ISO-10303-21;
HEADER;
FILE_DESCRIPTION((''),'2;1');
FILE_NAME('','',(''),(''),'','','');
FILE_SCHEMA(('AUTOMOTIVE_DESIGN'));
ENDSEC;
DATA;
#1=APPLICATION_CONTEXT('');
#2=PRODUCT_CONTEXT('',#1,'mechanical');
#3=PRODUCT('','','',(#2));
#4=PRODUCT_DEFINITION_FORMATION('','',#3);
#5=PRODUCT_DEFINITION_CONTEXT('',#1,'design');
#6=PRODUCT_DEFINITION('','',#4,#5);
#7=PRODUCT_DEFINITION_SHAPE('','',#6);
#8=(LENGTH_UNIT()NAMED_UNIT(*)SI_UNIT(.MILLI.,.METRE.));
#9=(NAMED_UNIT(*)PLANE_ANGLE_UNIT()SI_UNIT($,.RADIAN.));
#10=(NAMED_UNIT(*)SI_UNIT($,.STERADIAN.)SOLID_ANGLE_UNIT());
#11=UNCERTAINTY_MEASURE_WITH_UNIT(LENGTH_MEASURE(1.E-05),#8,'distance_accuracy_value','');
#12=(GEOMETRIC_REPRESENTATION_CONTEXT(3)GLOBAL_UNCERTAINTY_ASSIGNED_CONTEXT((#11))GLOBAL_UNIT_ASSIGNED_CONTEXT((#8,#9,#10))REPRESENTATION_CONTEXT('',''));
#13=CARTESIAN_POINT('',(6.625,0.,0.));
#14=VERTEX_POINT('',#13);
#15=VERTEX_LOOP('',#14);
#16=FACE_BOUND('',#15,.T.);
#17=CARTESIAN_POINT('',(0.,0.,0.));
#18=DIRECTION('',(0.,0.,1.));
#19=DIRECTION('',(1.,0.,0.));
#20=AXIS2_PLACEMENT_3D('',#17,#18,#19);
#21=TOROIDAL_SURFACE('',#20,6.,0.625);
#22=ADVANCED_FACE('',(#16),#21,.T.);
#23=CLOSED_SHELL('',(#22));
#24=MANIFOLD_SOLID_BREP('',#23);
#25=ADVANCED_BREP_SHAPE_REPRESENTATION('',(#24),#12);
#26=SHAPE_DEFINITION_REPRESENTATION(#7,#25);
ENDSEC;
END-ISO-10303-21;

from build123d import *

# Parameters (mm, degrees)
SKETCH1_R = 0.625


with BuildPart() as part:
    # Sketch1 → Revolve1 (revolve)
    with BuildSketch(Plane(origin=(0, 0, 0), x_dir=(1, 0, 0), z_dir=(0, 1, 0))):
        with Locations((6, 0)):
            Circle(SKETCH1_R)
    revolve(axis=Axis((0, 0, 0), (0, 0, -1)))


solid = part.part
